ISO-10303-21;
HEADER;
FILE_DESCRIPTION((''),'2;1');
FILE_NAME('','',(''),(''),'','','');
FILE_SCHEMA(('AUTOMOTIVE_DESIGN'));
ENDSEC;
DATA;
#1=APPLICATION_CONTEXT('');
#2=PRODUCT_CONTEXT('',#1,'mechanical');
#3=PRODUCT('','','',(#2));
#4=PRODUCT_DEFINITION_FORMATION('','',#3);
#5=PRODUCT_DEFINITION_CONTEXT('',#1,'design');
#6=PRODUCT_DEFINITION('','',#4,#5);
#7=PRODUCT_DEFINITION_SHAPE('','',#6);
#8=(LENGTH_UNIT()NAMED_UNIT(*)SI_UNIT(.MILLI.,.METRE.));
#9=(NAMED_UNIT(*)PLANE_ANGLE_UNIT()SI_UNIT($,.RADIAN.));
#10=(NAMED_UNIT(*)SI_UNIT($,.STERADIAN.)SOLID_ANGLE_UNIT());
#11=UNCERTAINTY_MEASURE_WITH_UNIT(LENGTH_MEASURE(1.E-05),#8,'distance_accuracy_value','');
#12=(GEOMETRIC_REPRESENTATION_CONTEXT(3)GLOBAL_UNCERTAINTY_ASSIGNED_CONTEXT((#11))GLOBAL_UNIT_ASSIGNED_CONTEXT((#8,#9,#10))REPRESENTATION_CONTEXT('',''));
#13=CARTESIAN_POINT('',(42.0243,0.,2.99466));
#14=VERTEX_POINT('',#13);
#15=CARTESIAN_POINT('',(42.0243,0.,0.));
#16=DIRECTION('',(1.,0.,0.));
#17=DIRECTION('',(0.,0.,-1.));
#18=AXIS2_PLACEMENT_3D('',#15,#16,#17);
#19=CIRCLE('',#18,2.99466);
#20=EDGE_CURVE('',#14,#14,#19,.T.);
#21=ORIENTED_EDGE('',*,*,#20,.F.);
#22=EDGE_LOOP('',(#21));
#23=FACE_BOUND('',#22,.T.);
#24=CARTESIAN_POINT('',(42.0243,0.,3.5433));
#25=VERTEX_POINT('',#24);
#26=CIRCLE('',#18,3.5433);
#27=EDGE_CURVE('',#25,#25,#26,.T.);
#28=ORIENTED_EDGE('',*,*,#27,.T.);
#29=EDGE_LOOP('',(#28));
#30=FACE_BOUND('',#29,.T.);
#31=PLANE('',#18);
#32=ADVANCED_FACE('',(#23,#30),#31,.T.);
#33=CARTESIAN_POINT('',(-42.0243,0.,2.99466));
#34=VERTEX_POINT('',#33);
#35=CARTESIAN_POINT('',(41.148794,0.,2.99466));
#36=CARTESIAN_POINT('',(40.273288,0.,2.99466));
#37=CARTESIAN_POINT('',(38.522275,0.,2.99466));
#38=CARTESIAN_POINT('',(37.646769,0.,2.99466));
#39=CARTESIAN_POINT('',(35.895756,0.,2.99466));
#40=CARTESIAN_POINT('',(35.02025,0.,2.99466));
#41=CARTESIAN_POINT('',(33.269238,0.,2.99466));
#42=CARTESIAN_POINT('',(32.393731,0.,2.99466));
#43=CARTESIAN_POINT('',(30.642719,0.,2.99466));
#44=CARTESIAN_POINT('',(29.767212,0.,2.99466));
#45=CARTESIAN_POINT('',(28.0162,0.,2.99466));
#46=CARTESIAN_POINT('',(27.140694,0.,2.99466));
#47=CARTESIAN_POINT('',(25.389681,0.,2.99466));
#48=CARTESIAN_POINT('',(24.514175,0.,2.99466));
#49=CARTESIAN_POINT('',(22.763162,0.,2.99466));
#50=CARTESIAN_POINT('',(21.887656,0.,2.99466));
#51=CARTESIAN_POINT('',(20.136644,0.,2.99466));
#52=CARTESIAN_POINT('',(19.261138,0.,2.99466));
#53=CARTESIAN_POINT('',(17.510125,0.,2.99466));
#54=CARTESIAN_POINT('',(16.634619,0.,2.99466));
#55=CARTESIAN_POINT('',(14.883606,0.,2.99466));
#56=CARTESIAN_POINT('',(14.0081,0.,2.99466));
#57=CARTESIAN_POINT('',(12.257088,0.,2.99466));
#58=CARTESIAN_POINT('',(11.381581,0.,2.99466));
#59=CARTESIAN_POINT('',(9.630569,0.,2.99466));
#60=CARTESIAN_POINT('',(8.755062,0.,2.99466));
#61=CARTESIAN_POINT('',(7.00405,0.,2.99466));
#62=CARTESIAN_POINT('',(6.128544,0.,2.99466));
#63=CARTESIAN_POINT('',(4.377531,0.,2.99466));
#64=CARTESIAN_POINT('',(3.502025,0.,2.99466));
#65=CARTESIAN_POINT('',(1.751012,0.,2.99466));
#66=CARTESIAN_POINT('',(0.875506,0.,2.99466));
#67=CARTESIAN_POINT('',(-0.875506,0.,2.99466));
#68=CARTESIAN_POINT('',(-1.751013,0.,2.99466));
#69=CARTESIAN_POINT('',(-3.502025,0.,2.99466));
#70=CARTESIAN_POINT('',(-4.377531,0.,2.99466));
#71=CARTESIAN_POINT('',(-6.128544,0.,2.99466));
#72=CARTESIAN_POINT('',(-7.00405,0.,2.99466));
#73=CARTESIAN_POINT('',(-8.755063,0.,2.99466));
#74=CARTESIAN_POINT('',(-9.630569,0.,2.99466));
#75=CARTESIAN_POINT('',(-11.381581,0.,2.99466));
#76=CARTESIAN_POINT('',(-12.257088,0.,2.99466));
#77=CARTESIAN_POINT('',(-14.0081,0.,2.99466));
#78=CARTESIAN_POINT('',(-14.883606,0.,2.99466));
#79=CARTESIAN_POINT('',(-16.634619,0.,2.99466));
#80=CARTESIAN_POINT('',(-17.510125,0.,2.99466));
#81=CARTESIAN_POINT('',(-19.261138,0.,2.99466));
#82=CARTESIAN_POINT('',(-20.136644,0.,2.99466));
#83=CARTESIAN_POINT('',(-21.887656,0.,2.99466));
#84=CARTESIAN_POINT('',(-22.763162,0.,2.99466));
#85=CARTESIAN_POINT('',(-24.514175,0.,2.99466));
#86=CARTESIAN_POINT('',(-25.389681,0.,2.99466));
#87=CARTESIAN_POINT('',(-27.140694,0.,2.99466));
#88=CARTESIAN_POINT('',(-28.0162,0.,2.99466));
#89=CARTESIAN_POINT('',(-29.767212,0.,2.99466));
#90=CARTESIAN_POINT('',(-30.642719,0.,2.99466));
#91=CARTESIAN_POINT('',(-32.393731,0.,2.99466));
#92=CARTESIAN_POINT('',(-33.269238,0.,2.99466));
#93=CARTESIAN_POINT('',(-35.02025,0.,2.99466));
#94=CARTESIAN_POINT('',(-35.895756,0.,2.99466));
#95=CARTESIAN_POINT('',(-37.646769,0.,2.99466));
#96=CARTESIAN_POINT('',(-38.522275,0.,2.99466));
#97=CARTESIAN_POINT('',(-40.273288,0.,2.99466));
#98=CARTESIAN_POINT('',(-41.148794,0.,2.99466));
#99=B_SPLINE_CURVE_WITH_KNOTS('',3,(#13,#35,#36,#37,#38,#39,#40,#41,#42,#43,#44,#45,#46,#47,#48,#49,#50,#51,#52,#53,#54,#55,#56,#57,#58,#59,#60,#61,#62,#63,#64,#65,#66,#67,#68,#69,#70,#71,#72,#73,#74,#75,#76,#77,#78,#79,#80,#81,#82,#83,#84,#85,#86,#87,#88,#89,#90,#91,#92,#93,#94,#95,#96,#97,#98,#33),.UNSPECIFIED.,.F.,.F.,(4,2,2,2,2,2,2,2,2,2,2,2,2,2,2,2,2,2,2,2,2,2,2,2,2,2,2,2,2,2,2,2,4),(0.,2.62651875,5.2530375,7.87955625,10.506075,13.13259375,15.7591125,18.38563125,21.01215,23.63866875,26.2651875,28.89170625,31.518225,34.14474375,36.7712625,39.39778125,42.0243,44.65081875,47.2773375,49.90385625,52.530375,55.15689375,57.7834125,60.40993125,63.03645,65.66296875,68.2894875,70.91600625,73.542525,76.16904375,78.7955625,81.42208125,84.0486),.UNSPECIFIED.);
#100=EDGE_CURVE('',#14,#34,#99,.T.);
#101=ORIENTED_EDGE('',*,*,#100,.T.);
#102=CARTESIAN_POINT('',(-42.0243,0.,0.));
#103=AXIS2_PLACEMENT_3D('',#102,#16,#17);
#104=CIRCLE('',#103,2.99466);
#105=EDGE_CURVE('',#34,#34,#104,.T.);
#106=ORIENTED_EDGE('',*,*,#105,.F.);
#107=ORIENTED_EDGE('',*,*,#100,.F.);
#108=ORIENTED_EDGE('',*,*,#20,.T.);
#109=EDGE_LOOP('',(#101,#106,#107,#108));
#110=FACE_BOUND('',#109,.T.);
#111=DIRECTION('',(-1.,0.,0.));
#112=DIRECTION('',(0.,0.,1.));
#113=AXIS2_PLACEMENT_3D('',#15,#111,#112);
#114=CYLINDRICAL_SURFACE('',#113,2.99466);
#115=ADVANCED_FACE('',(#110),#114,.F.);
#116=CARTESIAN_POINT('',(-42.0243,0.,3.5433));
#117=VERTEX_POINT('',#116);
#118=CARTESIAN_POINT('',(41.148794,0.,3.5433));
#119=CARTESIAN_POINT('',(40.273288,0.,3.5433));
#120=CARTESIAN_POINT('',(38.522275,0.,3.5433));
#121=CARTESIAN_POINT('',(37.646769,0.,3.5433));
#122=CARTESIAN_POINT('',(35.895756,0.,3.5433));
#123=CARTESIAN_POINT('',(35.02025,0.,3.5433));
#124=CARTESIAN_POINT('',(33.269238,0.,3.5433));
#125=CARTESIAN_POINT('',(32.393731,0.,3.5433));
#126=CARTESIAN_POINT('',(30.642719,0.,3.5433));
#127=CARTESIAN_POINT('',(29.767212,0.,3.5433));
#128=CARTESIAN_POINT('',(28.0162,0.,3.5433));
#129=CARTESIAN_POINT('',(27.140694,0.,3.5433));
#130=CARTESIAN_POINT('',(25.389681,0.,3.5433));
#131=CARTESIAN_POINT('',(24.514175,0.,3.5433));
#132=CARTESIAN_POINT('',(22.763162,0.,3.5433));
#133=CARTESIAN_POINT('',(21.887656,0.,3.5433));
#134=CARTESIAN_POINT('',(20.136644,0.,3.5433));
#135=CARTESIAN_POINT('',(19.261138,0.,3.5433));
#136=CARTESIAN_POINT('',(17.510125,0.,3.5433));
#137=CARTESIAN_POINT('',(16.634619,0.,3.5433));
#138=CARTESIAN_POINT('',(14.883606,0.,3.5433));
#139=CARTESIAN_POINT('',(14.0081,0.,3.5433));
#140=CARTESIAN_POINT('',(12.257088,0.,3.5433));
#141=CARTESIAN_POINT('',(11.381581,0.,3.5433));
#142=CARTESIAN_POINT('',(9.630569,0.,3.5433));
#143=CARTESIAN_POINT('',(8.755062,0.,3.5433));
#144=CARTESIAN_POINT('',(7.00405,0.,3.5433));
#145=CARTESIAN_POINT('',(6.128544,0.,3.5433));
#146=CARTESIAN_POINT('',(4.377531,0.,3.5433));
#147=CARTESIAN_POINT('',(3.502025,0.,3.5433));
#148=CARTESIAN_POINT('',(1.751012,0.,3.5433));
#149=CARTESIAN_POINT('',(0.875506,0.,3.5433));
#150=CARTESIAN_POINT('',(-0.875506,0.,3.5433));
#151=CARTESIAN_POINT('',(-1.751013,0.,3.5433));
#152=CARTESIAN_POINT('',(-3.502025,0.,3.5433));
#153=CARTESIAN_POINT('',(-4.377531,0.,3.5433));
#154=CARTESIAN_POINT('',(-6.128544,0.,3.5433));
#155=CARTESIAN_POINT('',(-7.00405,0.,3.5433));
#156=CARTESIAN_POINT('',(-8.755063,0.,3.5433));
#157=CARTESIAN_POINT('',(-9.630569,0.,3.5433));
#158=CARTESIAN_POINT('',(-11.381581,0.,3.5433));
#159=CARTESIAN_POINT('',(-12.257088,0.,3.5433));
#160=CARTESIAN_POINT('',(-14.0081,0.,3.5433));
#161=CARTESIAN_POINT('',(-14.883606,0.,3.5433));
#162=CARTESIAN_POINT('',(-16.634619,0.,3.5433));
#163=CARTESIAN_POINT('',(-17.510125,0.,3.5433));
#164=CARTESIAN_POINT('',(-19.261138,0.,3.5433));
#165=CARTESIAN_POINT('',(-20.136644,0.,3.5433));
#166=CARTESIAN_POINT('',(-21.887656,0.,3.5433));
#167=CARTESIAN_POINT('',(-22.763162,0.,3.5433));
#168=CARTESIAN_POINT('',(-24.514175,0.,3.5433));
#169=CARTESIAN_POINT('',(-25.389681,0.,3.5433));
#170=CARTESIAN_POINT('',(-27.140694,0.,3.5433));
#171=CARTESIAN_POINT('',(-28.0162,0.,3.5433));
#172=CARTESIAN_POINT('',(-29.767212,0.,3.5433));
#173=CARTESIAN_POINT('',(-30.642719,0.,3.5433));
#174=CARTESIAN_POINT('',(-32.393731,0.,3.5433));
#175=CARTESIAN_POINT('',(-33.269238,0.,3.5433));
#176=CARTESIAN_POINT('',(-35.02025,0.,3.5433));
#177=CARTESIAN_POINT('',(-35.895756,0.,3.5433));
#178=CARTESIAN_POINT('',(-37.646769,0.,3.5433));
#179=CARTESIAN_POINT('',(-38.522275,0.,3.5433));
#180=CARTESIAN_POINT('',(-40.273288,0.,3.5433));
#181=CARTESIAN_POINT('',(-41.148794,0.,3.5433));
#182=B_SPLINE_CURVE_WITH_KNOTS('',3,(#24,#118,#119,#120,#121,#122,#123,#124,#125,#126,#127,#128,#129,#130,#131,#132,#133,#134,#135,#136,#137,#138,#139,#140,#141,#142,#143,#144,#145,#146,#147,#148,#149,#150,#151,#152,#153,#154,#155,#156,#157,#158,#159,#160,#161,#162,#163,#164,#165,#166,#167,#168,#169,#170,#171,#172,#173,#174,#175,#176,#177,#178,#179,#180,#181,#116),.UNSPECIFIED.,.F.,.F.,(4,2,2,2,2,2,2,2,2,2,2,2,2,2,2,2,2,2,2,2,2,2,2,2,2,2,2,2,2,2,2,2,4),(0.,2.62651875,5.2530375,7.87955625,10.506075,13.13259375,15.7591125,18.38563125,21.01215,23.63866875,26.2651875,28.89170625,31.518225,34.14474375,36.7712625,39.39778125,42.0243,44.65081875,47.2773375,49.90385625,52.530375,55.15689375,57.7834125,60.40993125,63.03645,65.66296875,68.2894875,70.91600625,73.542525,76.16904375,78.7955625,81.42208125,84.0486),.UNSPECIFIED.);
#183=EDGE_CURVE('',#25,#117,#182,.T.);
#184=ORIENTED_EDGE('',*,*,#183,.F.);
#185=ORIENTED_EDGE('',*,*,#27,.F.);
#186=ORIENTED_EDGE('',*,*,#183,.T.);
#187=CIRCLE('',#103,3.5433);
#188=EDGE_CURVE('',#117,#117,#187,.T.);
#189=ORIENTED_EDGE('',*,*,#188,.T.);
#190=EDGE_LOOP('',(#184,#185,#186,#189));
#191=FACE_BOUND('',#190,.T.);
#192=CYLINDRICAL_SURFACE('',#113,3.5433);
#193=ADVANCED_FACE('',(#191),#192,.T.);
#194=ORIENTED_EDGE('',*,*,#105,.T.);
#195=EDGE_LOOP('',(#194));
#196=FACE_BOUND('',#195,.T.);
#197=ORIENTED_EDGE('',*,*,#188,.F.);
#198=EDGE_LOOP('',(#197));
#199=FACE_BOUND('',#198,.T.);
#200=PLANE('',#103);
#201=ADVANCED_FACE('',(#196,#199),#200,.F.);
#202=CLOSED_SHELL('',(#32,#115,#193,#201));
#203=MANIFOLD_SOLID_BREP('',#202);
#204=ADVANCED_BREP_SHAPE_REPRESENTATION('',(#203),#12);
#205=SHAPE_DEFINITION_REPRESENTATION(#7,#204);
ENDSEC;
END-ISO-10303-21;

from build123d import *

# Parameters (mm, degrees)
SKETCH1_R           = 5.9055
SKETCH1_R_2         = 4.9911
BOSS_EXTRUDE1_DEPTH = 70.0405
SCALE1_SCALE        = 0.6


with BuildPart() as part:
    # Sketch1 → Boss-Extrude1 (new, symmetric)
    with BuildSketch(Plane(origin=(0, 0, 0), x_dir=(0, 0, -1), z_dir=(1, 0, 0))):
        with Locations(Location((0, 0, 0), (0, 0, 180))):
            Circle(SKETCH1_R)
        with Locations(Location((0, 0, 0), (0, 0, 180))):
            Circle(SKETCH1_R_2, mode=Mode.SUBTRACT)
    extrude(amount=BOSS_EXTRUDE1_DEPTH, both=True)


with BuildPart() as part_1:
    # Scale1: scaled about (0, 0, 0)
    add(part.part.scale(SCALE1_SCALE))


solid = part_1.part
